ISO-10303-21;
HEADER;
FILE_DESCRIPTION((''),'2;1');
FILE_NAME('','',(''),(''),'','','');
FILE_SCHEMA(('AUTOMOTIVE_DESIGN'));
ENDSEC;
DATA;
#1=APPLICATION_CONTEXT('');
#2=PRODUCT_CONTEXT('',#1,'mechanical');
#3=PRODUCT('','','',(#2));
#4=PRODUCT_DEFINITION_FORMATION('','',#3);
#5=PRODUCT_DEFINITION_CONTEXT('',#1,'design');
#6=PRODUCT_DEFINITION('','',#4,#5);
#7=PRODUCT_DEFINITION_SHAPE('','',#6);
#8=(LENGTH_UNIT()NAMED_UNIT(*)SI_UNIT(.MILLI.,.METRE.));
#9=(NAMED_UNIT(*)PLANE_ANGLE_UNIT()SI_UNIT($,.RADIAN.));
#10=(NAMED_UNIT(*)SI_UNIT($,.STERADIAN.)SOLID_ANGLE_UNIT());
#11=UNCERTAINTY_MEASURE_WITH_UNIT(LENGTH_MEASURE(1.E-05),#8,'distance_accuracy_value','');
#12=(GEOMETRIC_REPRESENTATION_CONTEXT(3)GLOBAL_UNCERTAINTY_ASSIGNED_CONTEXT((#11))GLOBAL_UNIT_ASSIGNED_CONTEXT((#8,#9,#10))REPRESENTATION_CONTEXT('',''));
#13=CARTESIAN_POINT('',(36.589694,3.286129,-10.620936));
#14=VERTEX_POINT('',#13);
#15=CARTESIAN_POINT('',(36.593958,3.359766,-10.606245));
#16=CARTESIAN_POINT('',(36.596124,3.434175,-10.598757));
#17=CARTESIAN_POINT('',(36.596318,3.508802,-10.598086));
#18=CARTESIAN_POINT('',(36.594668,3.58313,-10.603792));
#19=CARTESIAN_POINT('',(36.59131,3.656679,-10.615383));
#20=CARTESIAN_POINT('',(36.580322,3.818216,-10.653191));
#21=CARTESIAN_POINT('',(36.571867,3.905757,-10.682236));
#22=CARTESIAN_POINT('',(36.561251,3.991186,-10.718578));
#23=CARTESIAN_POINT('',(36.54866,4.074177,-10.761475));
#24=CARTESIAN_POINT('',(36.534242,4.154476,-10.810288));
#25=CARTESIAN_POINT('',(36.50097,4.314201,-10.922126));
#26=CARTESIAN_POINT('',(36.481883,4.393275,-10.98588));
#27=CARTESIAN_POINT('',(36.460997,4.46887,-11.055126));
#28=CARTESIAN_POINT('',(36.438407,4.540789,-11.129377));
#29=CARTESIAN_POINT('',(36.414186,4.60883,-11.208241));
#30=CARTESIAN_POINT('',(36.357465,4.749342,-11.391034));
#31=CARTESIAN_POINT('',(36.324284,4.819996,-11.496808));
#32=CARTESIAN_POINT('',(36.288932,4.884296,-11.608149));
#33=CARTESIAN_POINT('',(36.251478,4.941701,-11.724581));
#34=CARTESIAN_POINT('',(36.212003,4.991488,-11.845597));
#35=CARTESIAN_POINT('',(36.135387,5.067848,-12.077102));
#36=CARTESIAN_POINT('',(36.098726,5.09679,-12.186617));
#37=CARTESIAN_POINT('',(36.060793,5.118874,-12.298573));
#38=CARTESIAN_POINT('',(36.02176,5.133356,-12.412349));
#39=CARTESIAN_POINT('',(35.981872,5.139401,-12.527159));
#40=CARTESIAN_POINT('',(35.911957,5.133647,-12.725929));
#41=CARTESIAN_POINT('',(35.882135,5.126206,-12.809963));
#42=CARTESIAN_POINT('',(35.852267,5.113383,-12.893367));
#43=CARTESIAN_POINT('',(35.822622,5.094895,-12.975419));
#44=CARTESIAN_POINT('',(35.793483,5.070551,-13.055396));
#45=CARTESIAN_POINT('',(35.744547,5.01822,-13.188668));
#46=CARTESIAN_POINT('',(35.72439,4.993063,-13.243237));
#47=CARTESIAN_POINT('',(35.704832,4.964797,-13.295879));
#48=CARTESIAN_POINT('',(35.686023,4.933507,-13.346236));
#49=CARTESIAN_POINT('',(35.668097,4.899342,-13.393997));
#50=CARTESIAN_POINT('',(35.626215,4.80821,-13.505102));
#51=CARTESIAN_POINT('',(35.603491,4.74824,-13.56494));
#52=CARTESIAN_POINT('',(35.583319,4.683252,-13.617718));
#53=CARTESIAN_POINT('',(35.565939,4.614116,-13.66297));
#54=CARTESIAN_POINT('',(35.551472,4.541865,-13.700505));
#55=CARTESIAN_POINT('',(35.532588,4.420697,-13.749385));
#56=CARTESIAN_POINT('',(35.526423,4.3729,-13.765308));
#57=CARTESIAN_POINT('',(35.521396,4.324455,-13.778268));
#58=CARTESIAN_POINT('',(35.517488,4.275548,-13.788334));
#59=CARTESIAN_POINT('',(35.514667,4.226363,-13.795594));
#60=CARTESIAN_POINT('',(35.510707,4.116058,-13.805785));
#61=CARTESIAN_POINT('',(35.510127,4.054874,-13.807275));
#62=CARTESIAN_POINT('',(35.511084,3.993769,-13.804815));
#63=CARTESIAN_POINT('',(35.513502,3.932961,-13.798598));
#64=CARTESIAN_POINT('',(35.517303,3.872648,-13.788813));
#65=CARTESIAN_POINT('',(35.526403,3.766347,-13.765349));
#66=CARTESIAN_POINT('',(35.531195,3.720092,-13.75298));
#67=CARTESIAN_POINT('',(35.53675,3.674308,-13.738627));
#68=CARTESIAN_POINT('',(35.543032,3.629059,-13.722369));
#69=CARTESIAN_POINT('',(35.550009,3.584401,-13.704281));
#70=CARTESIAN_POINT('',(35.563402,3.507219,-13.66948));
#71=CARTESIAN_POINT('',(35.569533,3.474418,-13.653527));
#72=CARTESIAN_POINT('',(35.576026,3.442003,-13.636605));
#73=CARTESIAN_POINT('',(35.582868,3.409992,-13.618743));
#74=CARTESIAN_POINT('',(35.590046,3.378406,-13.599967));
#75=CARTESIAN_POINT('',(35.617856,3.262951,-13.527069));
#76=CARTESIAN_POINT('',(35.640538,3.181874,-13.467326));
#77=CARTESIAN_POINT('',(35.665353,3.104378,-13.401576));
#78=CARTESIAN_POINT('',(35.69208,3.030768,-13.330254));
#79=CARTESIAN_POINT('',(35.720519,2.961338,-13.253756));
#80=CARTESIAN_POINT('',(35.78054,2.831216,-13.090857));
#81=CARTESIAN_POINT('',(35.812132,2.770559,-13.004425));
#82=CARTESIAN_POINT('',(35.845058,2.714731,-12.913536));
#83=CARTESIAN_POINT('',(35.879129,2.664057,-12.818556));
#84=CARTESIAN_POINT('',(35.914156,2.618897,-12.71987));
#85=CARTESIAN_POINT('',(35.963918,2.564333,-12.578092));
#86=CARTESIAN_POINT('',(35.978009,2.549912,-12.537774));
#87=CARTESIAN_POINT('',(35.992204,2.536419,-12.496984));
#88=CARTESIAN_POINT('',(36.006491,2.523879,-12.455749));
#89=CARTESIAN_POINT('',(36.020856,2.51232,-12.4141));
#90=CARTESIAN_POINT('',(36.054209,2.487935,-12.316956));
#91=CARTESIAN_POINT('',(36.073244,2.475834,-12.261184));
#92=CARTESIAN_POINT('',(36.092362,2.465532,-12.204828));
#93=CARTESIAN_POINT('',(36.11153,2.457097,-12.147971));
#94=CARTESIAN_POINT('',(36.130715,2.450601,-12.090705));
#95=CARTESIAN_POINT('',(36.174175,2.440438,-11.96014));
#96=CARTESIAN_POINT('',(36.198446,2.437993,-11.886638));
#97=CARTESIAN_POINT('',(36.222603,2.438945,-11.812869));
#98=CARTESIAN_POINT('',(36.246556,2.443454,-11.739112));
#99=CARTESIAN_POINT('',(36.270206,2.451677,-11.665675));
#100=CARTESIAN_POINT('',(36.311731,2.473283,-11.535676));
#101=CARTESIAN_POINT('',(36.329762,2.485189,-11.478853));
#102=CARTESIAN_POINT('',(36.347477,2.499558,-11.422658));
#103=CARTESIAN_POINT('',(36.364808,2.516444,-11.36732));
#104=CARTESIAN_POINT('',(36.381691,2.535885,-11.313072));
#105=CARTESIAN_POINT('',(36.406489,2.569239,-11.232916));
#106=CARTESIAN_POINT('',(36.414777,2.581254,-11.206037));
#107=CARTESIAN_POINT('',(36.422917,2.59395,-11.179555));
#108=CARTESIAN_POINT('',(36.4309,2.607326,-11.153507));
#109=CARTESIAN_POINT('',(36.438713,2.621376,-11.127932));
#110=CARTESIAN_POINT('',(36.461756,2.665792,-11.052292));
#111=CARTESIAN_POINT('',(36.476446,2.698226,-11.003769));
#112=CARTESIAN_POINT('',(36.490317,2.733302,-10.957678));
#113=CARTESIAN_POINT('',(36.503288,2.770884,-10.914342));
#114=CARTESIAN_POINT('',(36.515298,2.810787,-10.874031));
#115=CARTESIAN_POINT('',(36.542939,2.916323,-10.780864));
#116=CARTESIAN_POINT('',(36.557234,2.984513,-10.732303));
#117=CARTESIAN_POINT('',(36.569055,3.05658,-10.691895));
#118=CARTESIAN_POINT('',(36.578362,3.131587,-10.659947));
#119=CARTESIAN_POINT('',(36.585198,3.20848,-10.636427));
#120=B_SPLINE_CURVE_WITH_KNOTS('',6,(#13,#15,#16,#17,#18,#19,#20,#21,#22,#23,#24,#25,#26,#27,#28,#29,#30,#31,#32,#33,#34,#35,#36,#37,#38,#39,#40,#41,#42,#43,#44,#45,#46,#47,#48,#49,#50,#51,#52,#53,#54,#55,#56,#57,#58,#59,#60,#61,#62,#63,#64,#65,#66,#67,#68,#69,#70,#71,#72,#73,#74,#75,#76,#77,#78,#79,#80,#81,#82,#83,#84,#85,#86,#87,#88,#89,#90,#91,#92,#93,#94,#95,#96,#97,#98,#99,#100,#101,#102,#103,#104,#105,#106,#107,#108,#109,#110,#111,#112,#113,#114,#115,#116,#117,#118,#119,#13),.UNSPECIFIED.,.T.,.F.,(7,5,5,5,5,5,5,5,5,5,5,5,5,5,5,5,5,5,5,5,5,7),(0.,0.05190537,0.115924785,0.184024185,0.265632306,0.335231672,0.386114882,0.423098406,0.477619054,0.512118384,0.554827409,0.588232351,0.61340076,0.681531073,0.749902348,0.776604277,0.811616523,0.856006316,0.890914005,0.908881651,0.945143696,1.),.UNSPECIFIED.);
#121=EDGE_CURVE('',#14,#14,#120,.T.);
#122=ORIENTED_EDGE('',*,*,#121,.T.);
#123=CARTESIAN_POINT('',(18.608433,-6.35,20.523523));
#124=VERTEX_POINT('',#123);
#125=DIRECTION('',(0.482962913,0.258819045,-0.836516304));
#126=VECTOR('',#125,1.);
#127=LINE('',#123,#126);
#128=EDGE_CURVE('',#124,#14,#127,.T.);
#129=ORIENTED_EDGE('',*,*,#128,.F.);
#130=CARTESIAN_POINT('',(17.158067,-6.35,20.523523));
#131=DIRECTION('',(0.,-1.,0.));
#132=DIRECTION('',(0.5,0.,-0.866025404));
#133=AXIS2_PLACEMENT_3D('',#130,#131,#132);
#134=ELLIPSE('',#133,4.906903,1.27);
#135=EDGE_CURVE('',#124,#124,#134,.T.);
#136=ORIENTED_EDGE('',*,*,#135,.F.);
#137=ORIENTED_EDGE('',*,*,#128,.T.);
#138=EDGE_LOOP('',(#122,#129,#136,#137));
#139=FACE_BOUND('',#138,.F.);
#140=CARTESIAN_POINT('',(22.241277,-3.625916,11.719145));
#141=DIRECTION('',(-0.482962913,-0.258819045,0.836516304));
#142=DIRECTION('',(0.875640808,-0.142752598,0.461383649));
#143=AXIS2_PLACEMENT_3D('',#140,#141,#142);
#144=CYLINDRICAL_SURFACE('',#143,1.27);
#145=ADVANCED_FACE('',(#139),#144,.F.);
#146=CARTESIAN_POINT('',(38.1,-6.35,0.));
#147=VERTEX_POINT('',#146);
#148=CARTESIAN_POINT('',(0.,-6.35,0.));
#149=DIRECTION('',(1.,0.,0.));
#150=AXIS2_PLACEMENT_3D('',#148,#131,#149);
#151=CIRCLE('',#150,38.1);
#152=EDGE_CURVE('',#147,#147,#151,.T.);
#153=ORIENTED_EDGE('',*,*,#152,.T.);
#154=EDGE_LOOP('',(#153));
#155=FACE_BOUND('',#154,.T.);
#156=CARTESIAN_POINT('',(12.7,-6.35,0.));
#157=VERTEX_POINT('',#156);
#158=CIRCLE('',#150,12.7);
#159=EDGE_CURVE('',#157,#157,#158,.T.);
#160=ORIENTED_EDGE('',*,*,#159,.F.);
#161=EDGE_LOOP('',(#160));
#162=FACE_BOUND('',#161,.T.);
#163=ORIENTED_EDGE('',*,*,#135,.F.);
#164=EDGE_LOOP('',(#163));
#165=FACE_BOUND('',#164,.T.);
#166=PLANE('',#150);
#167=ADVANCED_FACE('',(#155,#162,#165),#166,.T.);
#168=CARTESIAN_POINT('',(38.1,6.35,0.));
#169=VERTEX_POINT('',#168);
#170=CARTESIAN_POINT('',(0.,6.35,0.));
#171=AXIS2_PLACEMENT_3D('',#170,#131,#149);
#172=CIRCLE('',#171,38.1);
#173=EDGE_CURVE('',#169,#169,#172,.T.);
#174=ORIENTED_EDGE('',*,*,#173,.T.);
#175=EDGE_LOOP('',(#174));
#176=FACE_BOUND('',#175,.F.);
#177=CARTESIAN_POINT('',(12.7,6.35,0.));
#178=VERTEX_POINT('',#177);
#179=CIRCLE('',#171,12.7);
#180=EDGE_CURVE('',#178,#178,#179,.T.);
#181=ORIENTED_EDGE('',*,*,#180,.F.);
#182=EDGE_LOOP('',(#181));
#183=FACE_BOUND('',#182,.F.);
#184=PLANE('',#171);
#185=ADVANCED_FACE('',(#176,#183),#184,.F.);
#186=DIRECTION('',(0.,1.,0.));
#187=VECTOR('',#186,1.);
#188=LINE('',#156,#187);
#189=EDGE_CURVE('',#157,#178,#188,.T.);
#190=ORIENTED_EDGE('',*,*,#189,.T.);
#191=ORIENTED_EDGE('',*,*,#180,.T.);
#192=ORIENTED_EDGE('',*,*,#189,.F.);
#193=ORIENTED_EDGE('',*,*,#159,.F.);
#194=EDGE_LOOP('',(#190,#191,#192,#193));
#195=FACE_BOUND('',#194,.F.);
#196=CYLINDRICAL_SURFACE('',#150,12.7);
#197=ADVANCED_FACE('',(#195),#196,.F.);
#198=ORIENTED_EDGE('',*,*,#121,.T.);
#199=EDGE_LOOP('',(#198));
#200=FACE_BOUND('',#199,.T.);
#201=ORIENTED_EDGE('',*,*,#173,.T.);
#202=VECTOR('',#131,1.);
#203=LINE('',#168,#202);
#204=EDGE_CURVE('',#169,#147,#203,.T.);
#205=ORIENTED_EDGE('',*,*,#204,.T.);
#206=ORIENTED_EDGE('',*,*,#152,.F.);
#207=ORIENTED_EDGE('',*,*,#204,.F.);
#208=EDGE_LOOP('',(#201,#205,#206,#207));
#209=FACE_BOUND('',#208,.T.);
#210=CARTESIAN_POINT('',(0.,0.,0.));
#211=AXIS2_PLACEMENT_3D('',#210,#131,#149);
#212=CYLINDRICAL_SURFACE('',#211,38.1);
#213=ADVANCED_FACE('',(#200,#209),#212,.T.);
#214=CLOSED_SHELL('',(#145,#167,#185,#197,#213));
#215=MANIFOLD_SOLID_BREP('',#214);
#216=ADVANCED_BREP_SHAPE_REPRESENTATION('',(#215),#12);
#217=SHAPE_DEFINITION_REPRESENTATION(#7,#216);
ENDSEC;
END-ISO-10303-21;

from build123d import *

# Parameters (mm, degrees)
F0_R          = 38.1
F1_DEPTH      = 6.35
F2_R          = 12.7
F3_DEPTH      = 25.4
F8_R          = 1.27
F9_DEPTH      = 51.9166590996
F9_DEPTH_BACK = 51.9166590996


with BuildPart() as f1:
    # F0 (on Front) → F1 (new body, symmetric)
    with BuildSketch(Plane.XZ):
        Circle(F0_R)
    extrude(amount=F1_DEPTH, both=True)

    # F2 (on face) → F3 (cut)
    with BuildSketch(Plane.XZ.offset(6.35)):
        Circle(F2_R)
    extrude(amount=-F3_DEPTH, mode=Mode.SUBTRACT)

    # F8 (on face) → F9 (cut, two sides)
    with BuildSketch(Plane(origin=(0, 0, 0), x_dir=(0.8756408079, -0.1427525977, 0.4613836487), z_dir=(-0.4829629131, -0.2588190451, 0.8365163037))) as f9_sk:
        with Locations((25.4, 0)):
            Circle(F8_R)
    extrude(amount=-F9_DEPTH, mode=Mode.SUBTRACT)
    extrude(f9_sk.sketch, amount=F9_DEPTH_BACK, mode=Mode.SUBTRACT)


solid = f1.part
